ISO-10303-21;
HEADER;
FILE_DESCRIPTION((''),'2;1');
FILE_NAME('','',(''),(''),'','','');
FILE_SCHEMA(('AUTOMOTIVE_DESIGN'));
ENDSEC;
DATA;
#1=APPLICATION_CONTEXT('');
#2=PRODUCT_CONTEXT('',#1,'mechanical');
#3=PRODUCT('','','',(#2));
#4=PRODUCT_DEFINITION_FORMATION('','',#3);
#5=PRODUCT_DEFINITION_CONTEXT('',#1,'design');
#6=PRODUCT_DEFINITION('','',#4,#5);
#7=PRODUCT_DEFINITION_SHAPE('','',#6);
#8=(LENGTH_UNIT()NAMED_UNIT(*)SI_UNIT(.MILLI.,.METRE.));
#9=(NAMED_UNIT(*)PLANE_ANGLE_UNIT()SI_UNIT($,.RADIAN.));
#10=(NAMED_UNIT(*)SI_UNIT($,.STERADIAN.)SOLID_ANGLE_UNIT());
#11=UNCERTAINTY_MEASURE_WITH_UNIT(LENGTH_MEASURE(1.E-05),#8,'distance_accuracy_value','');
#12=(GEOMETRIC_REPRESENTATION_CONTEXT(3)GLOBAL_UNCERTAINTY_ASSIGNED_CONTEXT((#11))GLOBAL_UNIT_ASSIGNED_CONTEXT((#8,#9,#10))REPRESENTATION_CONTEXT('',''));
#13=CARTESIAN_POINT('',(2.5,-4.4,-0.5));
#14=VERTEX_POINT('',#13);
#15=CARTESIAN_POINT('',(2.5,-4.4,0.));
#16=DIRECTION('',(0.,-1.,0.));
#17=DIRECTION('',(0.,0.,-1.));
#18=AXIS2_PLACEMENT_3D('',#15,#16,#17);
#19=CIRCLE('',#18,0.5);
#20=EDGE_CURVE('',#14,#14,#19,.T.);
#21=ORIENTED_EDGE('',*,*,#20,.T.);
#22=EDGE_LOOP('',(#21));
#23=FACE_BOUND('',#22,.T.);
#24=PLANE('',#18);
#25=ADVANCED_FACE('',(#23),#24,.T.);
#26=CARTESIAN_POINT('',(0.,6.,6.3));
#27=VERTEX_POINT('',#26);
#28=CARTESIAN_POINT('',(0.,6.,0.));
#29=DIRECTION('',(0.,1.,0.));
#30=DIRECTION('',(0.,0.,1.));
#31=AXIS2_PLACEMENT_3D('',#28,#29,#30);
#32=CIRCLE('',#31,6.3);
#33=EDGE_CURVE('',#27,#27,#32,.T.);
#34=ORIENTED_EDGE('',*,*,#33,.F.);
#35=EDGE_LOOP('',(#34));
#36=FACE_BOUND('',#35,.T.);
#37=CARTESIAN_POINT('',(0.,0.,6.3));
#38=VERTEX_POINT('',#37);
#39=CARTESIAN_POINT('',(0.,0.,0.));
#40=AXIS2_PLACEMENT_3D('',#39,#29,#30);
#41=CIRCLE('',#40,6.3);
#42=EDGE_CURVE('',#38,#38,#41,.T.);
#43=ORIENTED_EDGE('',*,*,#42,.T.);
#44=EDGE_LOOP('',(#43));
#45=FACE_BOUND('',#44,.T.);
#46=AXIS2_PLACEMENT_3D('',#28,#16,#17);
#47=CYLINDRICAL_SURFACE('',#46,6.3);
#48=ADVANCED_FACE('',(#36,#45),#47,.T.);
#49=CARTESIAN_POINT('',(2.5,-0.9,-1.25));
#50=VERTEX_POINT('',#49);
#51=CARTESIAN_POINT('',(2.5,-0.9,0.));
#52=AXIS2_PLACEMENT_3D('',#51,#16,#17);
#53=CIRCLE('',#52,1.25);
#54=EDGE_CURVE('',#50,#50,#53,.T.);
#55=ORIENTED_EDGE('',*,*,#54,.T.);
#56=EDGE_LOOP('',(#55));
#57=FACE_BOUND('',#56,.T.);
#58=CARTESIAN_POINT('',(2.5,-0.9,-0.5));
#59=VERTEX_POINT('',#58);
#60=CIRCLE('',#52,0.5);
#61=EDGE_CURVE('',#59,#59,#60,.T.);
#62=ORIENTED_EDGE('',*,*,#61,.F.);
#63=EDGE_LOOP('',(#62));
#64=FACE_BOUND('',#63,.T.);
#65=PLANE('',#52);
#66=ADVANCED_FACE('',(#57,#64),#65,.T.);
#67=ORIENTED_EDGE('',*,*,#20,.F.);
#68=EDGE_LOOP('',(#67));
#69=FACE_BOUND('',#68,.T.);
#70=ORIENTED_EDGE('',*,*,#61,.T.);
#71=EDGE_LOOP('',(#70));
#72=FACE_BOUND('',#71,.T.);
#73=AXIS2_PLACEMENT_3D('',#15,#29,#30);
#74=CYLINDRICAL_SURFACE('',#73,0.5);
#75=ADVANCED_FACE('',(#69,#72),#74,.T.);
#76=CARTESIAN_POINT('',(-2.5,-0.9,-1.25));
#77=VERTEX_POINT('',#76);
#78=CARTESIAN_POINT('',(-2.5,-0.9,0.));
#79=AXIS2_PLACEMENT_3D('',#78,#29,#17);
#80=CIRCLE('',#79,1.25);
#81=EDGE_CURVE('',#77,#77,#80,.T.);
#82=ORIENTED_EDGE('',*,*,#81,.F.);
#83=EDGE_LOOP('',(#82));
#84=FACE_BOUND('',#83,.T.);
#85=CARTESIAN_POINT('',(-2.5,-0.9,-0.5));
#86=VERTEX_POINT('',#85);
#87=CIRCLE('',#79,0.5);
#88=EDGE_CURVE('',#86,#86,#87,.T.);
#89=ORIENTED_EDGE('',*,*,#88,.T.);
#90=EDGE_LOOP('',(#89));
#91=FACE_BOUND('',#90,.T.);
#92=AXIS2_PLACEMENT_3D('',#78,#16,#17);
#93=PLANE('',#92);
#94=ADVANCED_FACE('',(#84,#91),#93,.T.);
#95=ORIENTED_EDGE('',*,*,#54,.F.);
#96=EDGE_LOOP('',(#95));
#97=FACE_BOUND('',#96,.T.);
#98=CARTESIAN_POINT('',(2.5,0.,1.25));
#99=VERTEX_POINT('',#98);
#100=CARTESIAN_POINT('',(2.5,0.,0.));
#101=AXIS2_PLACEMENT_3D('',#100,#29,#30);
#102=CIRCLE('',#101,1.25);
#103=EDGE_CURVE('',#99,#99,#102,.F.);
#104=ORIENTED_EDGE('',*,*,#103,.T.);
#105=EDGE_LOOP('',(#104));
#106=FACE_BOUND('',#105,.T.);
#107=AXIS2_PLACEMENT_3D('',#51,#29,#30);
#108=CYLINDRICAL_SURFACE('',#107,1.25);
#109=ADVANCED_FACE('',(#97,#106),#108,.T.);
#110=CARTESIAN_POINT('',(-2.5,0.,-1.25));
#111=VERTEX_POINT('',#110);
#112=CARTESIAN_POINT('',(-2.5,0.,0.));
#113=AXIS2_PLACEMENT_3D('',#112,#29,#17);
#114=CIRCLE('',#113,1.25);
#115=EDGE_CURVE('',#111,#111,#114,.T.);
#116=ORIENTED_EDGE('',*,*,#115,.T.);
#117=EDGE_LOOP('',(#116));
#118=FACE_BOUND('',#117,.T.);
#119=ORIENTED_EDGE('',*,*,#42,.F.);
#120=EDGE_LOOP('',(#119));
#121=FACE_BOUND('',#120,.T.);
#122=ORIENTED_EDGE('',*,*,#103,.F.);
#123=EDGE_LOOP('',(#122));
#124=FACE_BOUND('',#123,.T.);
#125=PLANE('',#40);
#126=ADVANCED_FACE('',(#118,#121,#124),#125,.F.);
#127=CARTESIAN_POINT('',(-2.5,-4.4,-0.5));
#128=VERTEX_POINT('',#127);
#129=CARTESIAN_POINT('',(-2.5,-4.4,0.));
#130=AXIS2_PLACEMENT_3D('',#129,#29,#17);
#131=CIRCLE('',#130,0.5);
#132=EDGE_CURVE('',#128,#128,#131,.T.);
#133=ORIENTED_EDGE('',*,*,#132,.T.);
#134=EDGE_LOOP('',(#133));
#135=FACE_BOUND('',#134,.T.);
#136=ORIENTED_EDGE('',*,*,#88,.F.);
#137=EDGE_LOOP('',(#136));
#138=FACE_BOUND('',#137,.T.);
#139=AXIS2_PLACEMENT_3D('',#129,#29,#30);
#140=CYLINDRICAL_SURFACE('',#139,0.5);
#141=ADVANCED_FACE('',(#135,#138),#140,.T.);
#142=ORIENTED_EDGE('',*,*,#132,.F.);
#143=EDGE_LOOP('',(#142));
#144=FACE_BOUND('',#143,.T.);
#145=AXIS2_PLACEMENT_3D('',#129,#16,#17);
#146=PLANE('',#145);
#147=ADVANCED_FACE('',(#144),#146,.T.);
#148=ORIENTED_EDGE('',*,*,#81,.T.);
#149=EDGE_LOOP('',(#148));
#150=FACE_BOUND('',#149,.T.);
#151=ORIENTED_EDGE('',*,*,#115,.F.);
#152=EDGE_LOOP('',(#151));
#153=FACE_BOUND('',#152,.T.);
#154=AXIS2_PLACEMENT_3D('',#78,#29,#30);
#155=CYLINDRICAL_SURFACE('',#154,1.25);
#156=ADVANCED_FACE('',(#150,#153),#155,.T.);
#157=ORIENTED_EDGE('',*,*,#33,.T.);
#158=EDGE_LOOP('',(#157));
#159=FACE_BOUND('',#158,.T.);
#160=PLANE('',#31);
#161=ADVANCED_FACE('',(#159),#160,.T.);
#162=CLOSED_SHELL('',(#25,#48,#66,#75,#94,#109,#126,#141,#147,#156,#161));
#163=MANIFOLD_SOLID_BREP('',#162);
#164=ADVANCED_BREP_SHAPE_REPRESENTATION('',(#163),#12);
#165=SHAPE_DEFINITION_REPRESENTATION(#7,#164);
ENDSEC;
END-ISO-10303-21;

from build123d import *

# Parameters (mm, degrees)
SKETCH1_R           = 6.3
BOSS_EXTRUDE1_DEPTH = 6
SKETCH2_R           = 1.25
BOSS_EXTRUDE2_DEPTH = 0.9
SKETCH3_R           = 0.5
BOSS_EXTRUDE3_DEPTH = 3.5


with BuildPart() as part:
    # Sketch1 → Boss-Extrude1 (new body)
    with BuildSketch(Plane(origin=(0, 0, 0), x_dir=(1, 0, 0), z_dir=(0, 1, 0))):
        with Locations(Location((0, 0, 0), (0, 0, 270))):
            Circle(SKETCH1_R)
    extrude(amount=BOSS_EXTRUDE1_DEPTH)

    # Sketch2 → Boss-Extrude2 (add)
    with BuildSketch(Plane.XZ):
        with Locations(Location((2.5, 0, 0), (0, 0, 90))):
            Circle(SKETCH2_R)
    boss_extrude2 = extrude(amount=BOSS_EXTRUDE2_DEPTH)

    # Sketch3 → Boss-Extrude3 (add)
    with BuildSketch(Plane.XZ.offset(0.9)):
        with Locations(Location((2.5, 0, 0), (0, 0, 270))):
            Circle(SKETCH3_R)
    boss_extrude3 = extrude(amount=BOSS_EXTRUDE3_DEPTH)

    # Mirror1: Boss-Extrude2, Boss-Extrude3 across plane
    add(boss_extrude2.mirror(Plane(origin=(0, 0, 0), x_dir=(0, 0, 1), z_dir=(1, 0, 0))))
    add(boss_extrude3.mirror(Plane(origin=(0, 0, 0), x_dir=(0, 0, 1), z_dir=(1, 0, 0))))


solid = part.part
